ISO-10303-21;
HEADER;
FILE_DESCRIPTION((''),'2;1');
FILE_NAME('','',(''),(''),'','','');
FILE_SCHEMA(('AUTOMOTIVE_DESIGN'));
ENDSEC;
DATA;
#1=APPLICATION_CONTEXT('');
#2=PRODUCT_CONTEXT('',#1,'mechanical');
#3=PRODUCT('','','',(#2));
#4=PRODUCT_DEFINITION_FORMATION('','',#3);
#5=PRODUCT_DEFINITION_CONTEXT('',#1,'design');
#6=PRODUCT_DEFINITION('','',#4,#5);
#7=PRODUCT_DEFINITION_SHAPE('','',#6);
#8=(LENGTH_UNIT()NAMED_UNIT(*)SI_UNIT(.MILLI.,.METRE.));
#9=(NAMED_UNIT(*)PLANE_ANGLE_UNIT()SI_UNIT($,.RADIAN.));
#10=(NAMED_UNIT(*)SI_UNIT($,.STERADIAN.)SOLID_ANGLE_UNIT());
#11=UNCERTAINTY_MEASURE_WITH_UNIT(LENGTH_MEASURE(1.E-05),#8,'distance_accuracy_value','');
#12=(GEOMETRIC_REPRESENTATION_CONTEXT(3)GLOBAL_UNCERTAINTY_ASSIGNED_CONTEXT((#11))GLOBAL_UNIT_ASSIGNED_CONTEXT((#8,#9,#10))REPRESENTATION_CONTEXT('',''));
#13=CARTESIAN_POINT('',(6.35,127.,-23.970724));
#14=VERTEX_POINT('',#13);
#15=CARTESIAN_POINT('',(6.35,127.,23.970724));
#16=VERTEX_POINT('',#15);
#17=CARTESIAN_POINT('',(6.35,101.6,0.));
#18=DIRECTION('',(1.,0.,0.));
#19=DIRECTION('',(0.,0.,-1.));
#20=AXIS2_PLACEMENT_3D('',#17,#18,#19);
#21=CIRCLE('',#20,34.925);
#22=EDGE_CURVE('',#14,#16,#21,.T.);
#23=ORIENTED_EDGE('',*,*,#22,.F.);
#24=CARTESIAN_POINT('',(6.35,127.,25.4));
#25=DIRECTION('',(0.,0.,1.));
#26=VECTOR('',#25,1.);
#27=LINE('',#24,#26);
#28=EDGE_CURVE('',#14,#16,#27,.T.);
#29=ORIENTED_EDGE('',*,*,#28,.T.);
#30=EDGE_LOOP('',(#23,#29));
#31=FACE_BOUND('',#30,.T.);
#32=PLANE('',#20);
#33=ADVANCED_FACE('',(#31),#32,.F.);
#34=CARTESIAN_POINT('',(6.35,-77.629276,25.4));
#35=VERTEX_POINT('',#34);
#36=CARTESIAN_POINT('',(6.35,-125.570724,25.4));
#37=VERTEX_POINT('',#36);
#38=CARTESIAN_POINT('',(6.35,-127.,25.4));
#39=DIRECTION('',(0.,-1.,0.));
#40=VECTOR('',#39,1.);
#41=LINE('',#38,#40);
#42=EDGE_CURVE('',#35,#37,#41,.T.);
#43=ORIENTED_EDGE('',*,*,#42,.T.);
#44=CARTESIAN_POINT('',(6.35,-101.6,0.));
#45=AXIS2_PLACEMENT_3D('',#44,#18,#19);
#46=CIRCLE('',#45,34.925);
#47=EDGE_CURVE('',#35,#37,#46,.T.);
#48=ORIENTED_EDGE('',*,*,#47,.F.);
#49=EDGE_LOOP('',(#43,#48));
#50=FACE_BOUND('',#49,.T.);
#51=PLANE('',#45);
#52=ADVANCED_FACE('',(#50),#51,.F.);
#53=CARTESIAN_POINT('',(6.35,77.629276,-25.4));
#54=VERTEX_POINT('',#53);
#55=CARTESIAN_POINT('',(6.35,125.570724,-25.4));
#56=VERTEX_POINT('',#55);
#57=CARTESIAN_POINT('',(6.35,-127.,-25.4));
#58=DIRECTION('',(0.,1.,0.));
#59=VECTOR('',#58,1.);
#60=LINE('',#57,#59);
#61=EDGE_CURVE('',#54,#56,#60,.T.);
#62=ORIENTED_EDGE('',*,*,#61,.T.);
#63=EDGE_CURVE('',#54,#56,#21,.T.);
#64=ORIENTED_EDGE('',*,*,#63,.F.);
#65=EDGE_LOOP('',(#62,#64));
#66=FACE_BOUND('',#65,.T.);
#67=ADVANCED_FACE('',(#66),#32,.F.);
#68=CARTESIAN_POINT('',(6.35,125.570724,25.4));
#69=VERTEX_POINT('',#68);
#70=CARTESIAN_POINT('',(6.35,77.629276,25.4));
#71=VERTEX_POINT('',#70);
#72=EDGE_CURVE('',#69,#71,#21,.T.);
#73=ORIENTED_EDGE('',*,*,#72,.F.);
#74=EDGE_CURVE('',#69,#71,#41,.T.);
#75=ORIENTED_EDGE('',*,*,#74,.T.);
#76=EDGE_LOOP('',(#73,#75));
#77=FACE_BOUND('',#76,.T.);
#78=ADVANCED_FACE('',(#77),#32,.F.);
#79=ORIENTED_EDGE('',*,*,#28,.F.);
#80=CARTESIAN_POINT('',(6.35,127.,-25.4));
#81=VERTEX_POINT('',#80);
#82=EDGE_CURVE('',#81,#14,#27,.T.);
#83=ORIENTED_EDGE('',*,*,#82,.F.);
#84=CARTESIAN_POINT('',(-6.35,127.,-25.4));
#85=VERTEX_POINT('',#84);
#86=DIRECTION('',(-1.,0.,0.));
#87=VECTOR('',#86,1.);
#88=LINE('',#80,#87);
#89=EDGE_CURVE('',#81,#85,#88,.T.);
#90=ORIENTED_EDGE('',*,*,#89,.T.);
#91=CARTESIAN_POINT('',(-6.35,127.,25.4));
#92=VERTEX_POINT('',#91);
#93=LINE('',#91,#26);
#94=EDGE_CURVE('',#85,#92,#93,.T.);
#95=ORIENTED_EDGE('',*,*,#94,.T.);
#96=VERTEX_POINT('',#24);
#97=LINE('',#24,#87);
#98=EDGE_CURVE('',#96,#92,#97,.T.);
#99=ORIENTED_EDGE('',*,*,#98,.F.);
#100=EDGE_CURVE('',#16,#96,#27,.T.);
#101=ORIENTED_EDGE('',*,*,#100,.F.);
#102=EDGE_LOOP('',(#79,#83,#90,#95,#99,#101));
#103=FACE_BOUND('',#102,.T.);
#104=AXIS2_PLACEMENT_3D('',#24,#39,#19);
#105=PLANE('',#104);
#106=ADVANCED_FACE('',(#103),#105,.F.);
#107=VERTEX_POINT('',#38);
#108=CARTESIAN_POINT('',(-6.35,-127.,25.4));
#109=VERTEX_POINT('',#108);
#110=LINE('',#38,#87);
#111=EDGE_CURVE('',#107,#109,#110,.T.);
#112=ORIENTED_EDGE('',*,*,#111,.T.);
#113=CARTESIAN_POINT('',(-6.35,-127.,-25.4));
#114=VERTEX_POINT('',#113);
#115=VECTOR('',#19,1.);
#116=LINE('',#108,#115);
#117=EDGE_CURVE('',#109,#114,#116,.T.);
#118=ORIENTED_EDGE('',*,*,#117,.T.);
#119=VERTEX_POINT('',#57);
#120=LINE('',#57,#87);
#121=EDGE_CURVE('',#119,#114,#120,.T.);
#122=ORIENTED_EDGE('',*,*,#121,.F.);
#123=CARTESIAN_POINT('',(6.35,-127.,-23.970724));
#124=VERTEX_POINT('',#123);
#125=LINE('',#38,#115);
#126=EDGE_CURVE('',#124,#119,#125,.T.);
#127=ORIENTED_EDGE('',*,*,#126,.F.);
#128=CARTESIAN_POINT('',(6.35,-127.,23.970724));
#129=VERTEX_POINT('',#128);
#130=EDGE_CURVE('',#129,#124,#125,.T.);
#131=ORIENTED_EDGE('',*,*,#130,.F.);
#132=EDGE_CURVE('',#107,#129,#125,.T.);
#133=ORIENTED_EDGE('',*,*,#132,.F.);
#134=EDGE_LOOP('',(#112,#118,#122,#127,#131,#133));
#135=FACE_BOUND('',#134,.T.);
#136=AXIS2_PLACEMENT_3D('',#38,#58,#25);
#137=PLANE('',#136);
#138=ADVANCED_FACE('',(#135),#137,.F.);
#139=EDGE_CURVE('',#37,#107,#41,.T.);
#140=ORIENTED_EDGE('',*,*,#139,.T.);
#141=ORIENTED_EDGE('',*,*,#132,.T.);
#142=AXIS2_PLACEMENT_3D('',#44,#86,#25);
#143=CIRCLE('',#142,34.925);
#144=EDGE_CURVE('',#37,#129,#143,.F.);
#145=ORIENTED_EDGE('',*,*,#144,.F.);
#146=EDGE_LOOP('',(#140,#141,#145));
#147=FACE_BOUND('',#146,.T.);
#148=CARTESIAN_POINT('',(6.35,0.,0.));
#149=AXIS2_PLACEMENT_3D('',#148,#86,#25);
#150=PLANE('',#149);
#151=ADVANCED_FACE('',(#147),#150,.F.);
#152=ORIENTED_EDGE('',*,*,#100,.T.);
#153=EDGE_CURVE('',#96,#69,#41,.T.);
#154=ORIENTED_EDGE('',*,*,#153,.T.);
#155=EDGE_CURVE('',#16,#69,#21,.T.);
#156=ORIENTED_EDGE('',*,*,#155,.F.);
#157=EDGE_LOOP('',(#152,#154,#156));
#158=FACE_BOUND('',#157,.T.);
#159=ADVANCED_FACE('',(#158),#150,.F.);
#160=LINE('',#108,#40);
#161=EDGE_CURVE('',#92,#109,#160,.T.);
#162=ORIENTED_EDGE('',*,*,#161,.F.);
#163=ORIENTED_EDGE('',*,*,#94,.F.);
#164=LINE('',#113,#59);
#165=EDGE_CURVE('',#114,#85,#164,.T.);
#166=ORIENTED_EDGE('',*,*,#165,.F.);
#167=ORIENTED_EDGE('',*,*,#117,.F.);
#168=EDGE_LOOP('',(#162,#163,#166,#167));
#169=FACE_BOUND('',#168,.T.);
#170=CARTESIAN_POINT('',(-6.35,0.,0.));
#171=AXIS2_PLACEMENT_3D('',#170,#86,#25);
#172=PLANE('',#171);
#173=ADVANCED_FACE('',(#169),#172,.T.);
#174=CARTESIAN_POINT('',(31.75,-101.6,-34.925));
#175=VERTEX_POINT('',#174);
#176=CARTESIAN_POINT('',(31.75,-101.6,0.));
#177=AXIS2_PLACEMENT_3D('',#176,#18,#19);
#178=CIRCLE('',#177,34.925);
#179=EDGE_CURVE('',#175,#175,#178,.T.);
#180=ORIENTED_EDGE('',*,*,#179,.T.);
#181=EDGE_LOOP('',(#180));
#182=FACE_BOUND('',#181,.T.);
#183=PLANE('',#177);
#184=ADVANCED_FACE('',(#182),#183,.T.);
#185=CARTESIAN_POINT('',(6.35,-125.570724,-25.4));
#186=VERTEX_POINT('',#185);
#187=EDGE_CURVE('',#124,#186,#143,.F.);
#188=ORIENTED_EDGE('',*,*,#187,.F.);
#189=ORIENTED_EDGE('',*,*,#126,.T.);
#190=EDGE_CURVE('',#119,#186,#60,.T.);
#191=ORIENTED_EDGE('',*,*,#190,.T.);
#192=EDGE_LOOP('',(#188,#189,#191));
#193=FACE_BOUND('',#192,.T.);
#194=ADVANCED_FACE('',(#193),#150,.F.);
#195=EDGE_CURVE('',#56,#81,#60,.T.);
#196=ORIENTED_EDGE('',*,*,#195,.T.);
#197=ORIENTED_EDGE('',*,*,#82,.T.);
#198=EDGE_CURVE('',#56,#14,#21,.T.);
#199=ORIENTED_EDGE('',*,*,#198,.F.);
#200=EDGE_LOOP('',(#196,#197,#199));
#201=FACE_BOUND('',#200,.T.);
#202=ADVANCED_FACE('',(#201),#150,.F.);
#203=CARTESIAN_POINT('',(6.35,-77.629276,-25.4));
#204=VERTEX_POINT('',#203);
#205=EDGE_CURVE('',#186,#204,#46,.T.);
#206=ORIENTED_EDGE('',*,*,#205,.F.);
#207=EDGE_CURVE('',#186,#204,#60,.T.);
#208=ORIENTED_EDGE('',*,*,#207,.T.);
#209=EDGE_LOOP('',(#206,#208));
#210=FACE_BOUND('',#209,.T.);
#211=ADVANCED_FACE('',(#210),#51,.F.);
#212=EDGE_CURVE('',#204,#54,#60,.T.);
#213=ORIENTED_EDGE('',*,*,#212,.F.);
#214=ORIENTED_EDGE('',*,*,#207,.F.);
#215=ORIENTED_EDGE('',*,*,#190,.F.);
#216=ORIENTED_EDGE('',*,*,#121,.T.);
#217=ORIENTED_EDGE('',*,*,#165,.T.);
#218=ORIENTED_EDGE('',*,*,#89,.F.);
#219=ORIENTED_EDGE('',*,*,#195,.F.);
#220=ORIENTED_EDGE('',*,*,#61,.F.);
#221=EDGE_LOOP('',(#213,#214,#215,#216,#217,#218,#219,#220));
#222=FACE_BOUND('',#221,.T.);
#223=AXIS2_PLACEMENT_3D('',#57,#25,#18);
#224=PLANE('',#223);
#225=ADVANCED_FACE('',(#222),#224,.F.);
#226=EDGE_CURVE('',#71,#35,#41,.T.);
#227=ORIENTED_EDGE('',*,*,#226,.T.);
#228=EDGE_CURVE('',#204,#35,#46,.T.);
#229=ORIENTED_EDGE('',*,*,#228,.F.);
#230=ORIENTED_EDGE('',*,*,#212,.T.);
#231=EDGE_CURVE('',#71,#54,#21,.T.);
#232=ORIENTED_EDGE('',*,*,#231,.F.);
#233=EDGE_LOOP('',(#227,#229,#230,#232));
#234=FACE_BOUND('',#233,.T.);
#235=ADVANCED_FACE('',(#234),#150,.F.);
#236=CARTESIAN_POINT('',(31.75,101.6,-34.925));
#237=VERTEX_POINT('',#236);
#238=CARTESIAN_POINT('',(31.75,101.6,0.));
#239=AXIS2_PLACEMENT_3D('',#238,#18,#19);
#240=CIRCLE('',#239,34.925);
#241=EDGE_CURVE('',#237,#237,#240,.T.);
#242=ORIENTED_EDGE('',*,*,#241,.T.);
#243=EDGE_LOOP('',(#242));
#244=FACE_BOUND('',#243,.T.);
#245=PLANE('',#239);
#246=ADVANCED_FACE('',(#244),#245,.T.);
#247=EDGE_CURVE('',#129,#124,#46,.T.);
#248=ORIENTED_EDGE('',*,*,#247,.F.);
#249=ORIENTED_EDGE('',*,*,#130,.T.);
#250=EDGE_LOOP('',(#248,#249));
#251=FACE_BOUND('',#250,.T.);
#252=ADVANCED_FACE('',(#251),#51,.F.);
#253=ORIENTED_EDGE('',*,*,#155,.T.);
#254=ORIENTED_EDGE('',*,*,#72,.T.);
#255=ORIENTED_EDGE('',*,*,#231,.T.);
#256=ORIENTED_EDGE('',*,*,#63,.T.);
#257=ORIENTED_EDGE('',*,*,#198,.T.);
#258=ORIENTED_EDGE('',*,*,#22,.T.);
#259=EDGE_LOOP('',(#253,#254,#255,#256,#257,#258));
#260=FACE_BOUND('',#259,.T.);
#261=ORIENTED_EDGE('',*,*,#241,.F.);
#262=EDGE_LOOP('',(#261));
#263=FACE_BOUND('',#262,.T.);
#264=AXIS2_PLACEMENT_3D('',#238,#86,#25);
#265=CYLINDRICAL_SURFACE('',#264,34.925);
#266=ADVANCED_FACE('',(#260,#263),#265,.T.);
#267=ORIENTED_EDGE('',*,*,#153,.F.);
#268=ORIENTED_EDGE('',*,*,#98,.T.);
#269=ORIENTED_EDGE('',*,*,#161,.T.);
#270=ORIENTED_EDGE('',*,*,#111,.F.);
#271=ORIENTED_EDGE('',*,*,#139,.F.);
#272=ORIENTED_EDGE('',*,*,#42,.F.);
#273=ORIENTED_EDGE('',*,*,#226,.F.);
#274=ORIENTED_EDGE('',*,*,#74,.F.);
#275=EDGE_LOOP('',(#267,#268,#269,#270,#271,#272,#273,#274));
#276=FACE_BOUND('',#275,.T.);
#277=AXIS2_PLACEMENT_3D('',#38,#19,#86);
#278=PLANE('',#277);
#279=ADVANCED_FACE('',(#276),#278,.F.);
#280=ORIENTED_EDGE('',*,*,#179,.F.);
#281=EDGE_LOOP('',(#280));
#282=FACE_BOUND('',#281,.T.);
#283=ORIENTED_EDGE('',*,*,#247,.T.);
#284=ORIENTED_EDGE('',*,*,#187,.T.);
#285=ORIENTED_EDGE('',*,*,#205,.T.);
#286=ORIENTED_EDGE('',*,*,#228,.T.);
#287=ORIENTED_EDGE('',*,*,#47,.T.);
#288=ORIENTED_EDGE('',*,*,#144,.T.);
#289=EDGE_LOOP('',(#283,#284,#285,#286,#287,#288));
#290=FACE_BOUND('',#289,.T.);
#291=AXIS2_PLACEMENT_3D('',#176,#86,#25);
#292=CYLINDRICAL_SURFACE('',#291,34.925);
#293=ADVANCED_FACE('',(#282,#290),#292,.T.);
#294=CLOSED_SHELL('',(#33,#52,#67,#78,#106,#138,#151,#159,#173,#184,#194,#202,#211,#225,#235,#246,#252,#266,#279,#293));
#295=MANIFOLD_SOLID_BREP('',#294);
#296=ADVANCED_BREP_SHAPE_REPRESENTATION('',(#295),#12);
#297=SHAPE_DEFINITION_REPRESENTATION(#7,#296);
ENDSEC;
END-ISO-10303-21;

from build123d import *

# Parameters (mm, degrees)
SKETCH1_W           = 50.8
SKETCH1_H           = 254
BOSS_EXTRUDE1_DEPTH = 6.35
SKETCH2_R           = 34.925
BOSS_EXTRUDE2_DEPTH = 25.4


with BuildPart() as part:
    # Sketch1 → Boss-Extrude1 (new, symmetric)
    with BuildSketch(Plane(origin=(0, 0, 0), x_dir=(0, 0, -1), z_dir=(1, 0, 0))):
        Rectangle(SKETCH1_W, SKETCH1_H)
    extrude(amount=BOSS_EXTRUDE1_DEPTH, both=True)

    # Sketch2 → Boss-Extrude2 (add)
    with BuildSketch(Plane(origin=(6.35, 0, 0), x_dir=(0, 0, -1), z_dir=(1, 0, 0))):
        with Locations(Location((0, 101.6, 0), (0, 0, 223.341758227))):
            Circle(SKETCH2_R)
        with Locations(Location((0, -101.6, 0), (0, 0, 136.658241773))):
            Circle(SKETCH2_R)
    extrude(amount=BOSS_EXTRUDE2_DEPTH)


solid = part.part
